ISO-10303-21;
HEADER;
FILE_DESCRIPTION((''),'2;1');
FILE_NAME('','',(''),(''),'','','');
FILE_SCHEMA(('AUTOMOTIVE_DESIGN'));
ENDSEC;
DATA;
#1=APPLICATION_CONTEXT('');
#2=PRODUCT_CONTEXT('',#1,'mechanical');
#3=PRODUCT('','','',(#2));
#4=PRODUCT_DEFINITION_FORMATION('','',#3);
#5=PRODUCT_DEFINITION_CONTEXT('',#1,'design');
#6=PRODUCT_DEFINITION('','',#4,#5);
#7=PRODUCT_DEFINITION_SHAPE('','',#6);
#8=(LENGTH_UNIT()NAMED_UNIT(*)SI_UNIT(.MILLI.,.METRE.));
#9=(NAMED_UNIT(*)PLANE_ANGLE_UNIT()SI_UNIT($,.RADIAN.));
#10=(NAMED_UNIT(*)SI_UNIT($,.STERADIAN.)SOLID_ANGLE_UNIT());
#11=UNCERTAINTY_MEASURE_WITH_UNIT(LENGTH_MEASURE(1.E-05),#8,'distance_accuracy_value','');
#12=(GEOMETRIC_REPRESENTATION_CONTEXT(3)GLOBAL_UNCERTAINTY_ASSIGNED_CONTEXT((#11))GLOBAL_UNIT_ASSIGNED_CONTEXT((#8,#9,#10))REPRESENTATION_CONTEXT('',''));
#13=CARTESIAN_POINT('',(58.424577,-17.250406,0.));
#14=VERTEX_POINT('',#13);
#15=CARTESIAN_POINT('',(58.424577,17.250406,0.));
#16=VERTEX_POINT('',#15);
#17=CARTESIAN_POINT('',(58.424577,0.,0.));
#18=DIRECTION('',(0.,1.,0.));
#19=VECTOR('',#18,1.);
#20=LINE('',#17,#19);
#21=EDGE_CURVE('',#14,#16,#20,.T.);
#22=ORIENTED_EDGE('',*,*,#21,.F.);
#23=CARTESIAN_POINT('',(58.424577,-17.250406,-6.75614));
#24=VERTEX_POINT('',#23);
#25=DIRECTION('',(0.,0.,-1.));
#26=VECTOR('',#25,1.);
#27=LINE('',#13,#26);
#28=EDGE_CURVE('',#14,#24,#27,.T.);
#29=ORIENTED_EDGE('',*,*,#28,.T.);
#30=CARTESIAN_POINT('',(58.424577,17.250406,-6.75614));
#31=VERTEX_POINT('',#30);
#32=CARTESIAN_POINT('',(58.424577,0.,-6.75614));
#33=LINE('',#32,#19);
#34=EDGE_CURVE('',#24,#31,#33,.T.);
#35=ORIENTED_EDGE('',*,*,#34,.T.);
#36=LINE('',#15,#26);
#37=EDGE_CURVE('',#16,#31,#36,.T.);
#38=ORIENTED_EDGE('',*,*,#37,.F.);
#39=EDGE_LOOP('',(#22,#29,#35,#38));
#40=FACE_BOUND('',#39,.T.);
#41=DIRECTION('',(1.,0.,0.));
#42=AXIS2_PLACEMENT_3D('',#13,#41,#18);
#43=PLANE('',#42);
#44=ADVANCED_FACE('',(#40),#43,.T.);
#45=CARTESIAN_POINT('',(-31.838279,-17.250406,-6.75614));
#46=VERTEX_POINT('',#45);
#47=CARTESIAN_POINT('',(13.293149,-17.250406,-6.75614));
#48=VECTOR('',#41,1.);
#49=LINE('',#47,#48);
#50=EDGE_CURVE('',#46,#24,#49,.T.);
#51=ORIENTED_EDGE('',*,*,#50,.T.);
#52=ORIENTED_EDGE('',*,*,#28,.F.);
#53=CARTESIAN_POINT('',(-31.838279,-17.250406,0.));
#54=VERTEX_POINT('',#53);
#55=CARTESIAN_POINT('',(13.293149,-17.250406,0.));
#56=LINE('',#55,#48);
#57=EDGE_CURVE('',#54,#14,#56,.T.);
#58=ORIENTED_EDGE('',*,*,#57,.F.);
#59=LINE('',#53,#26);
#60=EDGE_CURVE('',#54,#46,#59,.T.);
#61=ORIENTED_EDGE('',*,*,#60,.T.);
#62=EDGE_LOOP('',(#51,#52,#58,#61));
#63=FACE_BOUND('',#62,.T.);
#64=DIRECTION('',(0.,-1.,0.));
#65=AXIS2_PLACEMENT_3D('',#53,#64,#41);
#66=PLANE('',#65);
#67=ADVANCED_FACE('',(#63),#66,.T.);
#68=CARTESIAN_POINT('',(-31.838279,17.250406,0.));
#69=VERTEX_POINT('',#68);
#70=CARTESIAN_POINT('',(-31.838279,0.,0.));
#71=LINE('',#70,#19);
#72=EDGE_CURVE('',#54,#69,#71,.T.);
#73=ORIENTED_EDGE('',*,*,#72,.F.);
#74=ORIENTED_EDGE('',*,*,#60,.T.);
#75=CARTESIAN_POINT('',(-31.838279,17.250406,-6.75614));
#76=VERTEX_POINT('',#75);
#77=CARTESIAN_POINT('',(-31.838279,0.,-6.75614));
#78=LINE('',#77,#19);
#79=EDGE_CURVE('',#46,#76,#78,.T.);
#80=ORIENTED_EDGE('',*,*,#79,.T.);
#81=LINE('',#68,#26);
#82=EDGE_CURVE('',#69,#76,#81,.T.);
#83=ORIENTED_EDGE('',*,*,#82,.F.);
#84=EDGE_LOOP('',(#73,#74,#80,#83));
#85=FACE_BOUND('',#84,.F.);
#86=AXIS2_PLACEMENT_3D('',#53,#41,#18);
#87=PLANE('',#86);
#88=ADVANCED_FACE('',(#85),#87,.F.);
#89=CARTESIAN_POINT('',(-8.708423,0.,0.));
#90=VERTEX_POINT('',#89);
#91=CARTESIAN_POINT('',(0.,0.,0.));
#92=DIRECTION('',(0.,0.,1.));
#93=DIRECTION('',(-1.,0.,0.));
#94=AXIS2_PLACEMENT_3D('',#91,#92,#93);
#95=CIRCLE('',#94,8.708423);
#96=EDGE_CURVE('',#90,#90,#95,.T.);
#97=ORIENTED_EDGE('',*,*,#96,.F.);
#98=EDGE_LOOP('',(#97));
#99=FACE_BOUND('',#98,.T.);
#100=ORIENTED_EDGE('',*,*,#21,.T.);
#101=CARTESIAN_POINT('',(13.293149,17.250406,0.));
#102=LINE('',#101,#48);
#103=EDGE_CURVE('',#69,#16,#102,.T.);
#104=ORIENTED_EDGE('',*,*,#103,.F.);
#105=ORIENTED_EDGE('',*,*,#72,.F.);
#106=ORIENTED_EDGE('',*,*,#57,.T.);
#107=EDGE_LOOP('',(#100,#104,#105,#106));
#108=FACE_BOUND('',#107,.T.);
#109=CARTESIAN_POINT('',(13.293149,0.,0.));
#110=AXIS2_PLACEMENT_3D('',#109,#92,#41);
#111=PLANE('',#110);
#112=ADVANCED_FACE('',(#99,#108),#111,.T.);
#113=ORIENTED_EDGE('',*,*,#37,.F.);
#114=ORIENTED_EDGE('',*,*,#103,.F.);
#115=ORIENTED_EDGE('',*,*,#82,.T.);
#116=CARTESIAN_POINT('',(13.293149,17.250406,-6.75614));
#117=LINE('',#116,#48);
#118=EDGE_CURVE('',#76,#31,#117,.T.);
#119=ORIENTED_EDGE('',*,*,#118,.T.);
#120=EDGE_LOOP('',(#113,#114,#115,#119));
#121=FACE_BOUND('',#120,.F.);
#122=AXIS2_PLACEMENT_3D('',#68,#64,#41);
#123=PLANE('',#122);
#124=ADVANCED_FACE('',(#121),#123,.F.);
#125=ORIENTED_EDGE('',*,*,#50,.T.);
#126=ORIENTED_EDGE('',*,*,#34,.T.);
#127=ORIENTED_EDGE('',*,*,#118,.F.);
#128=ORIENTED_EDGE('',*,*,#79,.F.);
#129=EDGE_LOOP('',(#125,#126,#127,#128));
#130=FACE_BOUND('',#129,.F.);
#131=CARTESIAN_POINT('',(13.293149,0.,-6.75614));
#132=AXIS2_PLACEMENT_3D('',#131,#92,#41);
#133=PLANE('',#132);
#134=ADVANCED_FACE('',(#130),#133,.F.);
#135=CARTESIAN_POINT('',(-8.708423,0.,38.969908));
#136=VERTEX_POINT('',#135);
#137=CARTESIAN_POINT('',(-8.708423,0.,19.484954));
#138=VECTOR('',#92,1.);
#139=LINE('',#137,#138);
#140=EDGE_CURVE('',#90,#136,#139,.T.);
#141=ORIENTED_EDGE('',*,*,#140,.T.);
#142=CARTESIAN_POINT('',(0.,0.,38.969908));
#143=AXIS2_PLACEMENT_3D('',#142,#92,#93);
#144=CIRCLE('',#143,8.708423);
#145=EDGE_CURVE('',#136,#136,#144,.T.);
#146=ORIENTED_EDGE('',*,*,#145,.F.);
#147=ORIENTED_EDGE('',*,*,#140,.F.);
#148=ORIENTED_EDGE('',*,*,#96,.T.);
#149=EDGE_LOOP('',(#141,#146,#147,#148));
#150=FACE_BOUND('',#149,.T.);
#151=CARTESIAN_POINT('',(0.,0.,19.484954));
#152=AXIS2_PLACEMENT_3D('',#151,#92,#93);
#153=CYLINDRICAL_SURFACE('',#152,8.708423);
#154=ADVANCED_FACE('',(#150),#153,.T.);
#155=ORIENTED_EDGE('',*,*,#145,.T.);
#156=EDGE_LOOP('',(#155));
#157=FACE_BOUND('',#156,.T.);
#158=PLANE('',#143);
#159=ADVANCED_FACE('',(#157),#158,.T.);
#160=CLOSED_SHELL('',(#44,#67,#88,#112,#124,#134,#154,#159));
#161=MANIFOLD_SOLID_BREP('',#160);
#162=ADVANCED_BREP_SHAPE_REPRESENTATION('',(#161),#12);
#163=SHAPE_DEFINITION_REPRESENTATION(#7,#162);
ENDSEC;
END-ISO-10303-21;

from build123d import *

# Parameters (mm, degrees)
F0_W     = 8.7084230036
F0_H     = 38.9699079096
F2_W     = 90.2628563344
F2_H     = 34.500811249
F3_DEPTH = 6.75614


with BuildPart() as f1:
    # F0 (on Front) → F1 (revolve)
    with BuildSketch(Plane.XZ):
        with Locations((-4.3542115018, 19.4849539548)):
            Rectangle(F0_W, F0_H)
    revolve(axis=Axis((0, 0, 19.4849539548), (0, 0, 1)))

    # F2 (on Top) → F3 (join)
    with BuildSketch(Plane.XY):
        with Locations((13.2931489497, 0)):
            Rectangle(F2_W, F2_H)
    extrude(amount=-F3_DEPTH)


solid = f1.part
